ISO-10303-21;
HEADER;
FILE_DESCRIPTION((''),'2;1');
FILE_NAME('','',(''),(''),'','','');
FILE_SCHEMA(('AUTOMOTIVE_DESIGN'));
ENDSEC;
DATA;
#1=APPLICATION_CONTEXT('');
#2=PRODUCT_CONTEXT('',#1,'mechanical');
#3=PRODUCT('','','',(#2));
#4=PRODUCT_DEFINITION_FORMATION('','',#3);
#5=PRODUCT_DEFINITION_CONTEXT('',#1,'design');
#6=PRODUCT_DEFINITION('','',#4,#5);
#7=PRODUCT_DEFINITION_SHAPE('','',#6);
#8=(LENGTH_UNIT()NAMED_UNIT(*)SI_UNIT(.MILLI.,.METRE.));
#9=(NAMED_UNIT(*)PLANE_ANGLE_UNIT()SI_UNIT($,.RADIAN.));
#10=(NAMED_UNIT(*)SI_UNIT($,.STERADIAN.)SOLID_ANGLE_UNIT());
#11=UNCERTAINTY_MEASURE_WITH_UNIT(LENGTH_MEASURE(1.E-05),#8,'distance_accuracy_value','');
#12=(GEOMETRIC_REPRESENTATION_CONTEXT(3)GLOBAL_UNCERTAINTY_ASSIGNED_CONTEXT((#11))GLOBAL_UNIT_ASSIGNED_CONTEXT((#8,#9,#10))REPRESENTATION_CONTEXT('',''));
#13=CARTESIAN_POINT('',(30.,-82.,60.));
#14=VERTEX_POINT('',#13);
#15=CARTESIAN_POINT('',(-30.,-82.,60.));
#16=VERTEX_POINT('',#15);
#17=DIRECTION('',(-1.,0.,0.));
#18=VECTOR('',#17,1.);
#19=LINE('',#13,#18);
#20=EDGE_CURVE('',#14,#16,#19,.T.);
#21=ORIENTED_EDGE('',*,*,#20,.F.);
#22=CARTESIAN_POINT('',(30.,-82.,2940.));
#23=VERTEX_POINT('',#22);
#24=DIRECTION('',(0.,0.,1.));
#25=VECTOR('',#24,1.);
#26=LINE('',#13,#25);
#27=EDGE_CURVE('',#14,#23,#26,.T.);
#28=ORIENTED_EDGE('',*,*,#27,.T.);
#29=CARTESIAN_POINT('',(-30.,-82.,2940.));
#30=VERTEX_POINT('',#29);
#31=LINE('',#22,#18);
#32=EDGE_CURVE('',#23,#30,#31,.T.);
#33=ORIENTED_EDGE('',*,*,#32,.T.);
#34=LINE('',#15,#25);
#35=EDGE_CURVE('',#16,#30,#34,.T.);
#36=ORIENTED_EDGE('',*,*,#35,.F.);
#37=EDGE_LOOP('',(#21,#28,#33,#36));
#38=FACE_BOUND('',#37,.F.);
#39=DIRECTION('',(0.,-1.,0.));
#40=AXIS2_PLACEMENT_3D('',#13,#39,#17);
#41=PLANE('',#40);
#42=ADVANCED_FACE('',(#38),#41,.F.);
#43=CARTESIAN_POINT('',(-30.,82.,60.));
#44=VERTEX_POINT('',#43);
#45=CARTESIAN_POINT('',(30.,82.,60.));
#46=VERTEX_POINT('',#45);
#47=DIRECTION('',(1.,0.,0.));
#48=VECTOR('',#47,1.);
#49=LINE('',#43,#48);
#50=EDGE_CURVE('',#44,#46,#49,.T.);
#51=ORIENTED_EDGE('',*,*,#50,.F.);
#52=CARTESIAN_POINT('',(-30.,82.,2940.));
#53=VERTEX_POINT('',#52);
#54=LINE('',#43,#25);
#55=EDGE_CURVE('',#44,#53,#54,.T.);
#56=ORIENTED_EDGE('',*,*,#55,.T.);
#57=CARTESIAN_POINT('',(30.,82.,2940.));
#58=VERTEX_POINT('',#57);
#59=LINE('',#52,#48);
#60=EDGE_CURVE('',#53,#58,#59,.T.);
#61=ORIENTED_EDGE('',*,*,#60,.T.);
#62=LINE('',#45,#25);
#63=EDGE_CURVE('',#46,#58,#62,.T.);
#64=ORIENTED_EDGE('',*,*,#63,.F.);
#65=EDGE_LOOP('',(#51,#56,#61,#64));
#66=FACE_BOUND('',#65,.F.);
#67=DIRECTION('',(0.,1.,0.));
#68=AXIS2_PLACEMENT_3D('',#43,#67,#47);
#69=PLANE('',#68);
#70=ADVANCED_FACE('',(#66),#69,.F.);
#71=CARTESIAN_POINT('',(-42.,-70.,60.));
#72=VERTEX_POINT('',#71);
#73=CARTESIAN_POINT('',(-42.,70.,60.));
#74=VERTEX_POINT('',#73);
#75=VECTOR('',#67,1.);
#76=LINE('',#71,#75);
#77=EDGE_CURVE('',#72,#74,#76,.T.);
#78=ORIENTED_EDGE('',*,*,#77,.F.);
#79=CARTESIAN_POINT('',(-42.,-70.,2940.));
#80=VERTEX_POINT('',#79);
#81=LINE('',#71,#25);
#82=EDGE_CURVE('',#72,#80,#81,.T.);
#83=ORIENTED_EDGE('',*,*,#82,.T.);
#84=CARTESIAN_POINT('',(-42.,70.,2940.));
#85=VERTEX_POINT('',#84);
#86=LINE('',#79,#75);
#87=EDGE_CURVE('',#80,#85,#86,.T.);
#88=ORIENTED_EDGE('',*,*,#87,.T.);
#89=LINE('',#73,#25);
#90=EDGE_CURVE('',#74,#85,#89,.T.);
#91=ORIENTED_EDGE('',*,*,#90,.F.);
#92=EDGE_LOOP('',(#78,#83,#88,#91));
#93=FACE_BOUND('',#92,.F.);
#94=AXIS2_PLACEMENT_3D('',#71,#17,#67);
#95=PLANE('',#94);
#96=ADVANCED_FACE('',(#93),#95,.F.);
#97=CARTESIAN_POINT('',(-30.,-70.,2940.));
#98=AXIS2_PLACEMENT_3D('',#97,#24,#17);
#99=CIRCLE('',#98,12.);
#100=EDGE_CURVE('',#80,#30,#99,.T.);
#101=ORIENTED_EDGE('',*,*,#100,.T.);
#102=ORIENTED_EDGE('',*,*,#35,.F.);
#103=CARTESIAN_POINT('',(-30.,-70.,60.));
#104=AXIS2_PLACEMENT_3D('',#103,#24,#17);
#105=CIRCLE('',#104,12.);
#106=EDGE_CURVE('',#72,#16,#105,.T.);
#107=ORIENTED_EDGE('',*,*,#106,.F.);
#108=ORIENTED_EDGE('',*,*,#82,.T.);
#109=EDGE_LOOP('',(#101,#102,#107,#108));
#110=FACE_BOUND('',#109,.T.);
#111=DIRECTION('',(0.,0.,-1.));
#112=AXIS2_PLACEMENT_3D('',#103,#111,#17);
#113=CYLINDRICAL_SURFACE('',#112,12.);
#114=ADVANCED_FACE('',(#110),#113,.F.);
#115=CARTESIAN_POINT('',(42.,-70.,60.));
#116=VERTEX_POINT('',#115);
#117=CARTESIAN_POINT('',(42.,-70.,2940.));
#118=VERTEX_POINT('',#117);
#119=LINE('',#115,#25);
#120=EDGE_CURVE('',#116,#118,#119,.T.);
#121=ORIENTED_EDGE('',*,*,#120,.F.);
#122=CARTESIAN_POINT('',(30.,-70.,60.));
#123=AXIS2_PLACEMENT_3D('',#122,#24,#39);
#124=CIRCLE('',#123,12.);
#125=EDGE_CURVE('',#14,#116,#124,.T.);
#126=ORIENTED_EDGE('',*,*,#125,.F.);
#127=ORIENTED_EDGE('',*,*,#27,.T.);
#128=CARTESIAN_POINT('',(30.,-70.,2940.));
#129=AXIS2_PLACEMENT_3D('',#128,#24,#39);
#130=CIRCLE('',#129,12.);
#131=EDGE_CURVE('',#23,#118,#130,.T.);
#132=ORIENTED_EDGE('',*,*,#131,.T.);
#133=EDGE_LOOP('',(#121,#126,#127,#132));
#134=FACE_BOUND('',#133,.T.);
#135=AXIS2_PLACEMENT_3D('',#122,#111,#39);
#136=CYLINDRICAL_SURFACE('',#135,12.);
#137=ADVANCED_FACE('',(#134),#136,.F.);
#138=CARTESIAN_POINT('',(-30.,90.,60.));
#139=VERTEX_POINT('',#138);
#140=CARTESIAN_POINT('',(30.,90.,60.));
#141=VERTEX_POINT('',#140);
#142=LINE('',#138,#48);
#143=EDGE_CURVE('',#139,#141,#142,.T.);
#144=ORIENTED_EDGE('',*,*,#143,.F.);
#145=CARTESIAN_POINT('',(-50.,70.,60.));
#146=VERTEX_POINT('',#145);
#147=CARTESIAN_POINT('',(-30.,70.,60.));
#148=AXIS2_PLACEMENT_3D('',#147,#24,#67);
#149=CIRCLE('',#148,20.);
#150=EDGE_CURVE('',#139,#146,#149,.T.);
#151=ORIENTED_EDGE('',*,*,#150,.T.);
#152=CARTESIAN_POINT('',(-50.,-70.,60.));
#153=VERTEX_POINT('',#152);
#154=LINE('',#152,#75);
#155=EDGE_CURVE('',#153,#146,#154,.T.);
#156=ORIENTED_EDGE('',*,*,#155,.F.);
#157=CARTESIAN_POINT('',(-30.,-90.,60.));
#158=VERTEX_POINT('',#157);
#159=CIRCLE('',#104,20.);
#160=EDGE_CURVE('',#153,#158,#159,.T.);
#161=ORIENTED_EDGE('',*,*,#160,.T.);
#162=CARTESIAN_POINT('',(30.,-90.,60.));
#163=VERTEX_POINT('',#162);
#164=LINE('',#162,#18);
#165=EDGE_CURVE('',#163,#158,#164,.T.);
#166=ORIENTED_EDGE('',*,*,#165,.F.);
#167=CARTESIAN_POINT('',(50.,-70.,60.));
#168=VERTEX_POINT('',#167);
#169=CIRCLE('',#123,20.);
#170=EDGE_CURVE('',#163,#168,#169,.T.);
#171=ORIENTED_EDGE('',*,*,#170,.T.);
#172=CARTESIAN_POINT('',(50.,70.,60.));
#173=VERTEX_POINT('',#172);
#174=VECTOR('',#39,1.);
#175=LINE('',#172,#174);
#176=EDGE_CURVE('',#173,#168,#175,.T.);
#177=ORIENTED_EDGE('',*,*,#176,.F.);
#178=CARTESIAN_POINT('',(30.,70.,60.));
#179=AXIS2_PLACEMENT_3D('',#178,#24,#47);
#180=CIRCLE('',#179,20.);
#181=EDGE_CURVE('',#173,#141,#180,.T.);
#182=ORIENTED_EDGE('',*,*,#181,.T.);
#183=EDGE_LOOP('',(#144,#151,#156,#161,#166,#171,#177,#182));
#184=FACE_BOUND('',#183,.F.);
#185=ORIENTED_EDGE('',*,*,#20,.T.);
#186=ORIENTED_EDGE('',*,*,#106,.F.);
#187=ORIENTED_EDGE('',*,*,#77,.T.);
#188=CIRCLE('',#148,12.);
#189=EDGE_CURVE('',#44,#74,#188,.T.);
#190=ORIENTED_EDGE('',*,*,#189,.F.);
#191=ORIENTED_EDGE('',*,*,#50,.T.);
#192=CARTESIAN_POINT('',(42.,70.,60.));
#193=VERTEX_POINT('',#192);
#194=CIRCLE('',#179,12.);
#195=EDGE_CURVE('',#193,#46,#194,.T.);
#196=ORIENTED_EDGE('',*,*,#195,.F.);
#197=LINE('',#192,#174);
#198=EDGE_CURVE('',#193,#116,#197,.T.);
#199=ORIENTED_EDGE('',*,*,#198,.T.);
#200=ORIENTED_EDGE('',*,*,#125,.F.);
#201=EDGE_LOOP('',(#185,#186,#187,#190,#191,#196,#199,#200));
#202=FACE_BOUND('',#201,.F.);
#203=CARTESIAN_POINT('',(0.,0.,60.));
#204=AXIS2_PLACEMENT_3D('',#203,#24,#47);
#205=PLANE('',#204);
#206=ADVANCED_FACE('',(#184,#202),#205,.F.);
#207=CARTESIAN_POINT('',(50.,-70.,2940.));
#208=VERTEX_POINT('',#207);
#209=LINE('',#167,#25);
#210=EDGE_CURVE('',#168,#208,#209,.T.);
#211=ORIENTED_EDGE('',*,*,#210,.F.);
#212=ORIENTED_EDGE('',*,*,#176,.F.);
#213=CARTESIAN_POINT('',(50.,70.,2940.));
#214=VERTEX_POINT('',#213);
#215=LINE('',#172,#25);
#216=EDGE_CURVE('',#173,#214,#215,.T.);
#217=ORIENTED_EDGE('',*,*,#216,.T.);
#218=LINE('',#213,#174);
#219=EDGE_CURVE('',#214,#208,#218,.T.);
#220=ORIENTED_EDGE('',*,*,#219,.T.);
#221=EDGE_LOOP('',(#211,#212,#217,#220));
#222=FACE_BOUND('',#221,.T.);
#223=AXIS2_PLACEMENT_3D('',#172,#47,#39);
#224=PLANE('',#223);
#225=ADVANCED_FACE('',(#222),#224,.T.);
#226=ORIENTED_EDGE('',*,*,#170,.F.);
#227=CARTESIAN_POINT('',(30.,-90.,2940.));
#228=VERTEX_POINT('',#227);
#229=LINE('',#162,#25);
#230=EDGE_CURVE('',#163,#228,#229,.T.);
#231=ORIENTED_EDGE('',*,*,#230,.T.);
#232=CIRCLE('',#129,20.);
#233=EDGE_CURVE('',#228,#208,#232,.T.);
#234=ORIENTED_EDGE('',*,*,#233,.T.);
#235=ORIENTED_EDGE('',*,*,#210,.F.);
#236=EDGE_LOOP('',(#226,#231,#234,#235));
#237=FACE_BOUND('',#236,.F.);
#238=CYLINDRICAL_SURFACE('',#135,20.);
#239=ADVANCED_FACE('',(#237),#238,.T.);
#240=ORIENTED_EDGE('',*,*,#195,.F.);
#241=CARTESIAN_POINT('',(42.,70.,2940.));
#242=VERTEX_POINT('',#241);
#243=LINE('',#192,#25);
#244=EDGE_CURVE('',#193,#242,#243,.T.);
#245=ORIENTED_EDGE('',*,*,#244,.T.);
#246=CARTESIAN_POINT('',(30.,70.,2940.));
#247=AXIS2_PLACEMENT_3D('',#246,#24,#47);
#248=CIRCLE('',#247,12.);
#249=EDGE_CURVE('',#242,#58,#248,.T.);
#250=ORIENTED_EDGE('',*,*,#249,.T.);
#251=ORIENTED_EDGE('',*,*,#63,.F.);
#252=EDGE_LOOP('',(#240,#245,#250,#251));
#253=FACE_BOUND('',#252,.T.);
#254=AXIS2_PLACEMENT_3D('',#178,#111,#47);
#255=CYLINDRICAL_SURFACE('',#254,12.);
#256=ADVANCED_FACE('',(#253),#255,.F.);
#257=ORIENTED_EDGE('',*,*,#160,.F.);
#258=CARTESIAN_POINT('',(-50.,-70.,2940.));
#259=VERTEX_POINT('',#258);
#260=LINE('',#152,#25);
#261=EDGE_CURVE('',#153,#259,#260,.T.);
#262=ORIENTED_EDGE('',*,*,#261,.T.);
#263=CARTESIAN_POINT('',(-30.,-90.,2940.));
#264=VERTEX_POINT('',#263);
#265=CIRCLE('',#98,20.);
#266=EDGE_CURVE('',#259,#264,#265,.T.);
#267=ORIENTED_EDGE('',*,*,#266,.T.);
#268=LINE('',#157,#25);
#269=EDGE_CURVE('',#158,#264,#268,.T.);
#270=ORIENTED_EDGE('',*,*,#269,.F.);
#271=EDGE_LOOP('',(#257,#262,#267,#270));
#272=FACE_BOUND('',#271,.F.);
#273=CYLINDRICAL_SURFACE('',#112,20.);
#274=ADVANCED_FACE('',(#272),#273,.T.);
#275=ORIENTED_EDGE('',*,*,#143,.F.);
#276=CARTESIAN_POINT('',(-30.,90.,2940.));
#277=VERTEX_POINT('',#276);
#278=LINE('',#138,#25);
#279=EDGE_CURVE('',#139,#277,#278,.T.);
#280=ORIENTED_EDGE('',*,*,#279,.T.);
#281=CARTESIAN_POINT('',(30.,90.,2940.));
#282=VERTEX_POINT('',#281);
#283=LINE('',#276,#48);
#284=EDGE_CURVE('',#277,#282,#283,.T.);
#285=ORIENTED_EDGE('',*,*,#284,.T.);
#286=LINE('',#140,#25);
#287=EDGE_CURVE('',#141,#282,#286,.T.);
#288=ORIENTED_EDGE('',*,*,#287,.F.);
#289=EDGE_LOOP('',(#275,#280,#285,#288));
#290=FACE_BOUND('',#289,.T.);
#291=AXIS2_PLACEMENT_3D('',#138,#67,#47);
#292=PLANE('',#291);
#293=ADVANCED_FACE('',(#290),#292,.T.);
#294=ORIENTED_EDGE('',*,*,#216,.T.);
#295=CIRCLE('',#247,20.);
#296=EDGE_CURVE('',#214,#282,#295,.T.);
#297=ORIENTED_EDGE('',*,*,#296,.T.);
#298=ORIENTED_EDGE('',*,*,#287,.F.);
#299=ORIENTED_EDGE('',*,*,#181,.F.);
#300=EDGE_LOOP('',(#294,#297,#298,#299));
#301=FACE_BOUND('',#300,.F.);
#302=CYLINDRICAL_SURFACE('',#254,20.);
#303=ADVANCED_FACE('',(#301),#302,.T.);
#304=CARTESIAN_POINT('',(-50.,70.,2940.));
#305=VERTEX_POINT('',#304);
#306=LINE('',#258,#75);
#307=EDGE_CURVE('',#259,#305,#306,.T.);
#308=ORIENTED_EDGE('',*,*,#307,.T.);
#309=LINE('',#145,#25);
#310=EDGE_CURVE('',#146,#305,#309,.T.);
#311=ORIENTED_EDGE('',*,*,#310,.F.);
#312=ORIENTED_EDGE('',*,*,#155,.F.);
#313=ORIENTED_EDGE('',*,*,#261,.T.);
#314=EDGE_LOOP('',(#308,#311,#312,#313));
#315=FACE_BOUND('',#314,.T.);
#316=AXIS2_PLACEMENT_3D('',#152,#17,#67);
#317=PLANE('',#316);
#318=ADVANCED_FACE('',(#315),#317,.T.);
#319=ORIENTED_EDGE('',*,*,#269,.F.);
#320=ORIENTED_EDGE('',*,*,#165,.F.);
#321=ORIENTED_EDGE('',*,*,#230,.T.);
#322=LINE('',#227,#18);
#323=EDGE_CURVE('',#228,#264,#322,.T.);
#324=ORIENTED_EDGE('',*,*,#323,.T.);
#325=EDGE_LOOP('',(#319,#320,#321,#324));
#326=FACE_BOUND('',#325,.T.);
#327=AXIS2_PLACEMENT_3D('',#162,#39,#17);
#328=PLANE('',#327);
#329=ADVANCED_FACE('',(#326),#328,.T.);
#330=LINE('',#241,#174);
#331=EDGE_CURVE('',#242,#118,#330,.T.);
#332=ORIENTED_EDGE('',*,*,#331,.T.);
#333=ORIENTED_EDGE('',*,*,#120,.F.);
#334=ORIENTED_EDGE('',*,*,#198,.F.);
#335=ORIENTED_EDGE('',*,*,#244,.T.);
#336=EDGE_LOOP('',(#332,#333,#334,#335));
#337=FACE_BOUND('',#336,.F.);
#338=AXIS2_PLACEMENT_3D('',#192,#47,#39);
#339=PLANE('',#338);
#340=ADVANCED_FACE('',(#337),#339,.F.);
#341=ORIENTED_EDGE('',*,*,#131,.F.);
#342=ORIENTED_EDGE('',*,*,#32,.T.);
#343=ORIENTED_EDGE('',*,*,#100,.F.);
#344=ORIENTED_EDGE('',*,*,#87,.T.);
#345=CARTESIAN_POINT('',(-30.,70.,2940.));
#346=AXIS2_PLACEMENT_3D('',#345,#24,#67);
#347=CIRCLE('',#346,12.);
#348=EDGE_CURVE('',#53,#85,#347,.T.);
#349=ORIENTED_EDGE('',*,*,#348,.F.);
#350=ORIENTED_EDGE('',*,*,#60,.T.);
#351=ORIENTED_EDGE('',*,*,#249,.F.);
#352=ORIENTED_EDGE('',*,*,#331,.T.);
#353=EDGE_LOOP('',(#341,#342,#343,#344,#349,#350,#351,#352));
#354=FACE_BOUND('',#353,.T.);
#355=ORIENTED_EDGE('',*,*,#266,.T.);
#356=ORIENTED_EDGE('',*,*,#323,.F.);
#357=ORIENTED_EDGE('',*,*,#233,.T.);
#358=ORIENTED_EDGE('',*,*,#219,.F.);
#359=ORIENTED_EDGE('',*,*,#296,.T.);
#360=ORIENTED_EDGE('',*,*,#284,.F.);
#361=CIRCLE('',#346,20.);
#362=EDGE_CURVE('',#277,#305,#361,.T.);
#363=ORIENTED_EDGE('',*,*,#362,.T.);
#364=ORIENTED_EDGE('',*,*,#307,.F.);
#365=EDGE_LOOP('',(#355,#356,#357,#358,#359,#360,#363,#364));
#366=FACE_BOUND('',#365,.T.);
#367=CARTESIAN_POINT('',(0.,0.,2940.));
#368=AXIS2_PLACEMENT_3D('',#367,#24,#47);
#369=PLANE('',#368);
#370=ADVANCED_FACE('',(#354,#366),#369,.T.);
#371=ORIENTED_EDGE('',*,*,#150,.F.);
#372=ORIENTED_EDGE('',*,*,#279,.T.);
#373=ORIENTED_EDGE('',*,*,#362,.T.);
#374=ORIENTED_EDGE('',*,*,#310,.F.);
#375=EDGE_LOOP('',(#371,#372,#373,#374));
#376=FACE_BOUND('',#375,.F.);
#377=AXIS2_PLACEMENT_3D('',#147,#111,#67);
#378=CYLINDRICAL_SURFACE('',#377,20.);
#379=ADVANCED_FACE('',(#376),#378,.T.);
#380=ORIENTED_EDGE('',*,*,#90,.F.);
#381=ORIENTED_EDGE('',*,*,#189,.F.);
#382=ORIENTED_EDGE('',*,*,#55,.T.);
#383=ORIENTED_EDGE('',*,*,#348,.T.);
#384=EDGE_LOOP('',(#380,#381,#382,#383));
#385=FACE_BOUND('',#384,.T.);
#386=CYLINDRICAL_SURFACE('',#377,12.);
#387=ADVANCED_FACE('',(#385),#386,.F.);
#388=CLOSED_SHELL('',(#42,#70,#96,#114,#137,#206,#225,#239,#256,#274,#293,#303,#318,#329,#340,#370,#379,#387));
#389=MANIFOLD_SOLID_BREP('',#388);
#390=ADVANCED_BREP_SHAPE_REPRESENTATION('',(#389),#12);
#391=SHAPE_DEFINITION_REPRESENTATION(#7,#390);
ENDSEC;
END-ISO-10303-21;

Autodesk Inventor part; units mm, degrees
ref_plane "Start Plane" through (0, 0, 60) normal (0, 0, 1) x (1, 0, 0)
ref_plane "End Plane" through (0, 0, 2940) normal (0, 0, 1) x (1, 0, 0)
sketch "Sketch" plane through (0, 0, 0) normal (0, 0, 1) x (1, 0, 0)
  line L0 (-50, -70) -> (-50, 70)
  line L1 (-30, 90) -> (30, 90)
  line L2 (50, 70) -> (50, -70)
  line L3 (30, -90) -> (-30, -90)
  arc A0 (-50, -70) -> (-30, -90) centre (-30, -70) ccw
  arc A1 (50, 70) -> (30, 90) centre (30, 70) ccw
  arc A2 (-30, 90) -> (-50, 70) centre (-30, 70) ccw
  arc A3 (30, -90) -> (50, -70) centre (30, -70) ccw
  arc A4 (-30, 82) -> (-42, 70) centre (-30, 70) ccw
  line L4 (-30, 82) -> (30, 82)
  arc A5 (42, 70) -> (30, 82) centre (30, 70) ccw
  line L5 (42, 70) -> (42, -70)
  arc A6 (30, -82) -> (42, -70) centre (30, -70) ccw
  line L6 (30, -82) -> (-30, -82)
  arc A7 (-42, -70) -> (-30, -82) centre (-30, -70) ccw
  line L7 (-42, -70) -> (-42, 70)
  line L8 (0, 131.799) -> (0, -131.799) construction
  line L9 (-75.799, 0) -> (75.799, 0) construction
  dimension "d7" = 20
  dimension "d9" = 100
  dimension "d11" = 180
  dimension "d12" = 8
  dimension "d15" = 50
  dimension "d16" = 90
extrude "Body" add sketch "Sketch" along normal up to surface (2880 mm away) from surface at 60
sketch "Sketch3" plane through (0, 0, 0) normal (0, 0, 1) x (1, 0, 0)
  line L0 (0, 0) -> (10, 0)
ref_plane "Work Plane3" through (0, 0, 0) normal (0, -1, 0) x (1, 0, 0)
ref_plane "Work Plane4" through (50, -1200, 60) normal (0, 0, -1) x (-1, 0, 0)
split "Split1" plane through (50, -1200, 60) removes the side toward (0, 0, -1)
ref_plane "Work Plane5" through (-50, -1200, 2940) normal (0, 0, 1) x (1, 0, 0)
split "Split2" plane through (-50, -1200, 2940) removes the side toward (0, 0, 1)
sketch "Sketch4" plane through (0, 0, 0) normal (0, -1, 0) x (1, 0, 0)
  line L0 (-2, 60) -> (12, 60) projected
  line L1 (-2, 2940) -> (12, 2940) projected
  dimension "d18" = 2880
equation "\"d7\" = G_IR"
equation "\"d9\" = G_W"
equation "\"d11\" = G_H"
equation "\"d12\" = G_T"
equation "\"d15\" = 0.5 * d9"
equation "\"d16\" = 0.5 * d11"
equation "\"d3\" = G_L"
equation "\"G_W\" = 100"
equation "\"G_H\" = 180"
equation "\"G_T\" = 8"
equation "\"G_IR\" = 20"
equation "\"G_L\" = d18"
properties part number "ISO 10799-2 - 180x100x8 - 2880" material "Steel, Mild"
